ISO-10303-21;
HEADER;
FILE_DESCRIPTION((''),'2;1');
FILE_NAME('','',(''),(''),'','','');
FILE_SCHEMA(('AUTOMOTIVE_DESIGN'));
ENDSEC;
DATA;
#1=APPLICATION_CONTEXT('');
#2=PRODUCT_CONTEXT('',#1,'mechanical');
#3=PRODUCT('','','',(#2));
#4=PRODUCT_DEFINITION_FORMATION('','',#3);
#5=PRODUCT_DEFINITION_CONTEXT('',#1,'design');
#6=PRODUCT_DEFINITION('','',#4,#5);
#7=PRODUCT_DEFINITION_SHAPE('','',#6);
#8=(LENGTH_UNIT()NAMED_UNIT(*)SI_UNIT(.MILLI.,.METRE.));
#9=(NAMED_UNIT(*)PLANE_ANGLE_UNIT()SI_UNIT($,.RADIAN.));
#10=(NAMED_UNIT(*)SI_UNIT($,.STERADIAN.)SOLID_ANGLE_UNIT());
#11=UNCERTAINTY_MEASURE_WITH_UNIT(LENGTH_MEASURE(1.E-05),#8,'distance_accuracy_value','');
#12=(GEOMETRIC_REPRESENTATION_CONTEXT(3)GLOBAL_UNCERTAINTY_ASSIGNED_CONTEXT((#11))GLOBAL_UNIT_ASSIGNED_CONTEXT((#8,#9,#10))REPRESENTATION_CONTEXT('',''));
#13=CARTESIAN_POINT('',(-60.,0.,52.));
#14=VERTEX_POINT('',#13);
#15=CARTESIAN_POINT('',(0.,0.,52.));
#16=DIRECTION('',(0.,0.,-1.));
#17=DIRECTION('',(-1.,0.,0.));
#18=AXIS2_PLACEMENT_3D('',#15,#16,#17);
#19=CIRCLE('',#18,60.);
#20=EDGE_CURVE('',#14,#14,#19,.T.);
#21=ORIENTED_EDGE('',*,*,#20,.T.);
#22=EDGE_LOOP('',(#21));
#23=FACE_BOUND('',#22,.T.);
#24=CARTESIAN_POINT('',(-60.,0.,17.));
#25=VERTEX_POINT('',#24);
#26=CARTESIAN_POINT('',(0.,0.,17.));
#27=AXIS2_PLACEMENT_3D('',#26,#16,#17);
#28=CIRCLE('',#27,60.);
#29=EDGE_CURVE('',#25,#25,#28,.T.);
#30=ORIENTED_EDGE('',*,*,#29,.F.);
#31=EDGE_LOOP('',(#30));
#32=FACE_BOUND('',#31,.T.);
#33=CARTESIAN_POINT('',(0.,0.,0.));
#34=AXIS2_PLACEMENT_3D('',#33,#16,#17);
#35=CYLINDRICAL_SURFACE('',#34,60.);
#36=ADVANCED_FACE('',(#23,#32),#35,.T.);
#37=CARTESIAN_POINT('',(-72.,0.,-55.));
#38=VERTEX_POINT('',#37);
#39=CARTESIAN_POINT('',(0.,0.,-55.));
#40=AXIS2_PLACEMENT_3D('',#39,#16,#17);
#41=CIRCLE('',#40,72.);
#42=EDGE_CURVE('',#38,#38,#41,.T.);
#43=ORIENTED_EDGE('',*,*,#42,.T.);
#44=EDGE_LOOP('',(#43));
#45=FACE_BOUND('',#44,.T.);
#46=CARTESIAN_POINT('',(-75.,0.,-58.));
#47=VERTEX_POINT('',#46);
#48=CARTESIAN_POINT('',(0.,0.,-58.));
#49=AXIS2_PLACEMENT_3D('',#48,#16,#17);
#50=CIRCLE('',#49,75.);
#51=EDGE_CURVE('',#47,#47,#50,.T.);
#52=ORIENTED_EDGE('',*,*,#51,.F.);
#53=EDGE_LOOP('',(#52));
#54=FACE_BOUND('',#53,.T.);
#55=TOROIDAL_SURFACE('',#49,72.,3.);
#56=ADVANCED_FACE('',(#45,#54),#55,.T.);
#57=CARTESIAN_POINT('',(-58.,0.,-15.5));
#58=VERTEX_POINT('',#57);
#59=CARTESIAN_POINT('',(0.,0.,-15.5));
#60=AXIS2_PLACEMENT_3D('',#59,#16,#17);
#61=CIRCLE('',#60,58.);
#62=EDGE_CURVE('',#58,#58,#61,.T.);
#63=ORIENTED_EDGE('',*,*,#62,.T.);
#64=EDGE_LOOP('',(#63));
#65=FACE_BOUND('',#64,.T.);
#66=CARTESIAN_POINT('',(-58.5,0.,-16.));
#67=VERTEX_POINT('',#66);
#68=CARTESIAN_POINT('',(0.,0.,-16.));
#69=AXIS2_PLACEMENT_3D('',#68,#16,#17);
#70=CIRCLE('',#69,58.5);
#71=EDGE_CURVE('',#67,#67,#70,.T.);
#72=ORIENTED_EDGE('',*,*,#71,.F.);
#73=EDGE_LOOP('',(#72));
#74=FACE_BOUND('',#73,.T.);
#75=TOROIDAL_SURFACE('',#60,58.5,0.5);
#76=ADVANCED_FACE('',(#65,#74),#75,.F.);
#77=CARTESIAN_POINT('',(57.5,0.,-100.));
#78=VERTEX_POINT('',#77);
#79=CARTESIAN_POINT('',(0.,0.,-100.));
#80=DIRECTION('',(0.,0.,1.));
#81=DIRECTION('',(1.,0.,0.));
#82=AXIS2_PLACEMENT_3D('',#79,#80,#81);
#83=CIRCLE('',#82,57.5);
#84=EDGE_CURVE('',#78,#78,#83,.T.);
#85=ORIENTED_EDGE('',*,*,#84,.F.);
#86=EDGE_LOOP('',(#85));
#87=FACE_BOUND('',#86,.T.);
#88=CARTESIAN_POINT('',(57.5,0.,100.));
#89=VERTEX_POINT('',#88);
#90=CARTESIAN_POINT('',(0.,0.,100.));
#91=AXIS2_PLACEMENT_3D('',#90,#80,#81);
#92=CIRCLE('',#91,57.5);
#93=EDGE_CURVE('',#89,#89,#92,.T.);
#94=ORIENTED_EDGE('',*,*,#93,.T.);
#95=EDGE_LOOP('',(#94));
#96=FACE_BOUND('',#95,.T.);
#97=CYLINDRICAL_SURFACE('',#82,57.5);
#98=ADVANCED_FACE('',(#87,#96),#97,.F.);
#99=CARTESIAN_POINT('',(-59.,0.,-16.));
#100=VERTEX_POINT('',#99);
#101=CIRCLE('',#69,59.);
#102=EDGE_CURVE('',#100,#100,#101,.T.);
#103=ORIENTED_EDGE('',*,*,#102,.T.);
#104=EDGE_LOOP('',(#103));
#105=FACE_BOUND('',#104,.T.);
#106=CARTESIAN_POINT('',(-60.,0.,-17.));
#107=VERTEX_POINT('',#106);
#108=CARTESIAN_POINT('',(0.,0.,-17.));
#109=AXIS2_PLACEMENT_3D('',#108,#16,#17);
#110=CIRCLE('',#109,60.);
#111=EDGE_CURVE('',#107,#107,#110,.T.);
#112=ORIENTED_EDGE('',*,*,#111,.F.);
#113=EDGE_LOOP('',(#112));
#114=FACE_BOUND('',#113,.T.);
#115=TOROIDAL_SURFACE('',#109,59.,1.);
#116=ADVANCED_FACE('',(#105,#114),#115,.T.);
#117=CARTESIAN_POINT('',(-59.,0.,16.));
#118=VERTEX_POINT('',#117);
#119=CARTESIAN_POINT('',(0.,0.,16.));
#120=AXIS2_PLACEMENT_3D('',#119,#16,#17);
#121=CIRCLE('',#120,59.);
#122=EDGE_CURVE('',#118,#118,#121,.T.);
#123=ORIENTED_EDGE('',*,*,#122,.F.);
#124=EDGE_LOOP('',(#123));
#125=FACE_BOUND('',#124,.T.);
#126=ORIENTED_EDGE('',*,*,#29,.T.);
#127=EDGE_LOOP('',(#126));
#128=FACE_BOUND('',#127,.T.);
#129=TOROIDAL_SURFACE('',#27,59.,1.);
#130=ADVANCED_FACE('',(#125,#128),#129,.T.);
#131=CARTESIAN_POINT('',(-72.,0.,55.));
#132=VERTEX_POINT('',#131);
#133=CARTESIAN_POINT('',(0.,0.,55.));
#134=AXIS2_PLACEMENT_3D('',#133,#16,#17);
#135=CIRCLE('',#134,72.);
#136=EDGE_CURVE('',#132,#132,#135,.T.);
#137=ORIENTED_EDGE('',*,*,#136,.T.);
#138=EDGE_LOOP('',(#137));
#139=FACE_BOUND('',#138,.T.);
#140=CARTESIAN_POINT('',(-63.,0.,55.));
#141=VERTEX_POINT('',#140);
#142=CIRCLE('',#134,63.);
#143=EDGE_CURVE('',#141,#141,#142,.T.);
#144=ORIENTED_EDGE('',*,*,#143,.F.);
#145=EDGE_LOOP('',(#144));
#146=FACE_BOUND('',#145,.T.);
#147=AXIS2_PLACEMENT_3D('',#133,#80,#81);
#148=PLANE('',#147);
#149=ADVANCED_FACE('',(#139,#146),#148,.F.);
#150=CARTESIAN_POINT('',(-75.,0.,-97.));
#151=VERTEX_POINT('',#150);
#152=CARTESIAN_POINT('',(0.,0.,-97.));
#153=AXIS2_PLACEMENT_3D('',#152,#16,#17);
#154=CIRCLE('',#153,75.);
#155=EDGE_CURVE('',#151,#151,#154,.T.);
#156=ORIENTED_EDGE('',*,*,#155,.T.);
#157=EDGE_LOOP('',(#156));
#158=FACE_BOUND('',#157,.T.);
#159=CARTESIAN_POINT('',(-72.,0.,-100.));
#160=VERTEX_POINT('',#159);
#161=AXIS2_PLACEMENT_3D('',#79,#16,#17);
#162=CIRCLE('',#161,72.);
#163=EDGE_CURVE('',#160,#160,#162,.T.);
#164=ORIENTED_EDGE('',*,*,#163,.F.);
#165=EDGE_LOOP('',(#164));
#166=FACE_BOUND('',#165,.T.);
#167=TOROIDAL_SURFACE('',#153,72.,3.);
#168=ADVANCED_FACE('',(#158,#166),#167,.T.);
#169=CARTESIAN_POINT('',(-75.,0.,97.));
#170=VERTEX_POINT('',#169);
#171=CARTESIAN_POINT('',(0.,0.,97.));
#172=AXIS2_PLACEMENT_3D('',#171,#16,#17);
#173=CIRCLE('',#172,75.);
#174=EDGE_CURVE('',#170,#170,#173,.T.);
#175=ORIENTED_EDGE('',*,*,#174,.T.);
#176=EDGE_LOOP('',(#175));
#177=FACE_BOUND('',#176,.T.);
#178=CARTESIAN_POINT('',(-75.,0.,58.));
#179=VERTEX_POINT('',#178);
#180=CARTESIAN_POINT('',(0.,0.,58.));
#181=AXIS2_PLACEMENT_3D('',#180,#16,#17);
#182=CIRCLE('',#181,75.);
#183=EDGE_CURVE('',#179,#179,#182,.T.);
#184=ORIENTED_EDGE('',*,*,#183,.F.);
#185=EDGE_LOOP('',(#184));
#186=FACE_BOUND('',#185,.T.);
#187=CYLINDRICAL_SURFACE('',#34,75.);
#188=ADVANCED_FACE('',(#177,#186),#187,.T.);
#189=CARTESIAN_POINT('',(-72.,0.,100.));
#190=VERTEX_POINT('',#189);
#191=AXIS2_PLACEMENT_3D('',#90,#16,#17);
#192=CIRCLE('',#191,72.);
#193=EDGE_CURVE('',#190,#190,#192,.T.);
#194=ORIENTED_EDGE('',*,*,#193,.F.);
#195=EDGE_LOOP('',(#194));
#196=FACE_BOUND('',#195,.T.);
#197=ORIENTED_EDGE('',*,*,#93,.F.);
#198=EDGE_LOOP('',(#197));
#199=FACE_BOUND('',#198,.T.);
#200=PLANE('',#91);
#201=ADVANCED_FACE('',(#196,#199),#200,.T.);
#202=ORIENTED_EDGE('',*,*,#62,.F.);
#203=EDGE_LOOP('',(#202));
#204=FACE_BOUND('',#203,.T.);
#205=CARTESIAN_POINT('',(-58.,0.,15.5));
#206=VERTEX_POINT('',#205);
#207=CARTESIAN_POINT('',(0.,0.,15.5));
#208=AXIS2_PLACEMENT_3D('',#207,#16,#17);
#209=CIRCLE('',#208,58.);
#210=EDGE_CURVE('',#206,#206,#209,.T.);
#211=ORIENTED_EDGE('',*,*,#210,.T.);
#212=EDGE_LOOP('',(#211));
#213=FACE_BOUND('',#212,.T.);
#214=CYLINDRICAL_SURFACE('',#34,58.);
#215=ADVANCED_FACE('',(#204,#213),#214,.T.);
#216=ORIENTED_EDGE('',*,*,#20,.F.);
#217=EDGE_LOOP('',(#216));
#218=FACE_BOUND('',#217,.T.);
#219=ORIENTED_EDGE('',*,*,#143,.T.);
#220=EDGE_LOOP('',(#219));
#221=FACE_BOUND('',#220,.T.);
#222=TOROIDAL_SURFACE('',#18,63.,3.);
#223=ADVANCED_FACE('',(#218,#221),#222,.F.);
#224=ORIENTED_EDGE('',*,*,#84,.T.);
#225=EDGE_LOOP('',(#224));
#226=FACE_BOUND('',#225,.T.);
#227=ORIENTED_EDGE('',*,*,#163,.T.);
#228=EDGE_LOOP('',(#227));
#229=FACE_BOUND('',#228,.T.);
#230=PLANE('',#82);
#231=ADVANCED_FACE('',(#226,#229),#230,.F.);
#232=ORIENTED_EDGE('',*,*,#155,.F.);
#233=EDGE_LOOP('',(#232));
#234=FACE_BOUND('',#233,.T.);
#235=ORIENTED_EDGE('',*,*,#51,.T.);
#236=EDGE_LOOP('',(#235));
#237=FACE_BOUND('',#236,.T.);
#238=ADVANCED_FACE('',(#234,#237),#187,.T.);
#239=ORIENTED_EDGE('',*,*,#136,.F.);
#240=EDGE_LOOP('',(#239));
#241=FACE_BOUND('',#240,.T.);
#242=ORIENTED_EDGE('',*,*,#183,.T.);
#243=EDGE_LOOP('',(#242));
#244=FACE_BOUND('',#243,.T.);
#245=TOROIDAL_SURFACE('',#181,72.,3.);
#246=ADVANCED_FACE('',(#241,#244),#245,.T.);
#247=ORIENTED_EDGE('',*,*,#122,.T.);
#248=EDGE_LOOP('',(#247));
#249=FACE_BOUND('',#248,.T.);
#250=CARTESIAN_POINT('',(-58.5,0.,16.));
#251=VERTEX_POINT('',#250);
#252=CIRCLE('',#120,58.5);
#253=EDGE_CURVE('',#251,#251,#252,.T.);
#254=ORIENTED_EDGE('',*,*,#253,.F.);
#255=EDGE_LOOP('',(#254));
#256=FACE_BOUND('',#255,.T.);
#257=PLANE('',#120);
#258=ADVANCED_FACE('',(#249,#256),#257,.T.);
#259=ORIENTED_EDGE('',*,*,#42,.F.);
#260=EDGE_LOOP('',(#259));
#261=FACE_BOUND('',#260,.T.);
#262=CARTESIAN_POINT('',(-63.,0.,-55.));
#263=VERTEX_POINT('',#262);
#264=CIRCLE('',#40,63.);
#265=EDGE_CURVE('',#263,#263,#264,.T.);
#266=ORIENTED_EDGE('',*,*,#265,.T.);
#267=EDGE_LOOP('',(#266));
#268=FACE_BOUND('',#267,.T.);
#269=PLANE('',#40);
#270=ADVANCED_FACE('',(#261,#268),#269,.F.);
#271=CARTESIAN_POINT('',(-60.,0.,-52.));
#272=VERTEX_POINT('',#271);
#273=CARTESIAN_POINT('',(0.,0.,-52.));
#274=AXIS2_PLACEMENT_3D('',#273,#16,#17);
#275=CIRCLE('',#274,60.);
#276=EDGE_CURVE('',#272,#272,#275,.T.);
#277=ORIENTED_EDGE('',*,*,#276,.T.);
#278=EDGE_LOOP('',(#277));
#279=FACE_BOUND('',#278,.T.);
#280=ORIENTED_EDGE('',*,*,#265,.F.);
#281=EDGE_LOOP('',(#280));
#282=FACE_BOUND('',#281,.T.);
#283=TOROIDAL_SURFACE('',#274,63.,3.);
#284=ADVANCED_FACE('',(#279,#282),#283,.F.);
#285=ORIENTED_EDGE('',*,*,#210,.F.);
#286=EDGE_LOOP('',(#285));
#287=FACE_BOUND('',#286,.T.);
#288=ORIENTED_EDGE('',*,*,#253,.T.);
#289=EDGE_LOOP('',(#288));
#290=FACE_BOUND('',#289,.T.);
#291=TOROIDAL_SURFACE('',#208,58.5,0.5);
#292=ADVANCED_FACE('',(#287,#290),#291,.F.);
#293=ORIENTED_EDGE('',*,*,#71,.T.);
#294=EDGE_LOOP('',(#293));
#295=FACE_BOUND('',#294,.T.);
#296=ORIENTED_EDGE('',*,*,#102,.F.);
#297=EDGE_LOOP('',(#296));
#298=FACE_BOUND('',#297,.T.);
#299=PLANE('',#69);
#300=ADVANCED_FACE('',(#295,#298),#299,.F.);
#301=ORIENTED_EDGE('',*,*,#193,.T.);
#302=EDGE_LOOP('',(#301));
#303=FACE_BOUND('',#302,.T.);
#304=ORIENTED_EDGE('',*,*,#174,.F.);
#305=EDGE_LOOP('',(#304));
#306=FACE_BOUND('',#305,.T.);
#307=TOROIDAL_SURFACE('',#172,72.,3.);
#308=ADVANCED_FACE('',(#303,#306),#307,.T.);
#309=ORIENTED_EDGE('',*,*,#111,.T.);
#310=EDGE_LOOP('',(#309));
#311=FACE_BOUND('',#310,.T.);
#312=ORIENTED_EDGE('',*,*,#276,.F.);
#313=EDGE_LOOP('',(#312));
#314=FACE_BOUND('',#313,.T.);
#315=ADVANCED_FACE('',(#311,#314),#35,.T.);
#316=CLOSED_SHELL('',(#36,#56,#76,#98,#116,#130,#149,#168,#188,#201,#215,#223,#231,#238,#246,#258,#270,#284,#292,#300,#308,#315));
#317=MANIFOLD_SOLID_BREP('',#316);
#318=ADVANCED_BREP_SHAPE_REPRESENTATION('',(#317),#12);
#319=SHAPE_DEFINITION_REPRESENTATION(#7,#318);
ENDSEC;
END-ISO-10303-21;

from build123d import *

# Parameters (mm, degrees)
IZIM2_R               = 57.5
KES_EKSTR_ZYON1_DEPTH = 227.384628487


with BuildPart() as part:
    # Çizim1 → Döndür3 (revolve)
    with BuildSketch(Plane(origin=(0, 0, 0), x_dir=(0, 0, -1), z_dir=(1, 0, 0)), mode=Mode.PRIVATE) as d_nd_r3_sk:
        with BuildLine():
            ThreePointArc((16, 58.5), (15.853553391, 58.146446609), (15.5, 58))
            Line((15.5, 58), (-15.5, 58))
            ThreePointArc((-15.5, 58), (-15.853553391, 58.146446609), (-16, 58.5))
            Line((-16, 58.5), (-16, 59))
            ThreePointArc((-16, 59), (-16.292893219, 59.707106781), (-17, 60))
            Line((-17, 60), (-52, 60))
            ThreePointArc((-52, 60), (-54.121320344, 60.878679656), (-55, 63))
            Line((-55, 63), (-55, 72))
            ThreePointArc((-55, 72), (-55.878679656, 74.121320344), (-58, 75))
            Line((-58, 75), (-97, 75))
            ThreePointArc((-97, 75), (-99.121320344, 74.121320344), (-100, 72))
            Line((-100, 72), (-100, 0))
            Line((-100, 0), (100, 0))
            Line((100, 0), (100, 72))
            ThreePointArc((100, 72), (99.121320344, 74.121320344), (97, 75))
            Line((97, 75), (58, 75))
            ThreePointArc((58, 75), (55.878679656, 74.121320344), (55, 72))
            Line((55, 72), (55, 63))
            ThreePointArc((55, 63), (54.121320344, 60.878679656), (52, 60))
            Line((52, 60), (17, 60))
            ThreePointArc((17, 60), (16.292893219, 59.707106781), (16, 59))
            Line((16, 59), (16, 58.5))
        make_face()
    revolve(d_nd_r3_sk.sketch.rotate(Axis((0, 0, 0), (0, 0, 1)), 90), axis=Axis((0, 0, 0), (0, 0, 1)))

    # Çizim2 → Kes-Ekstrüzyon1 (cut, through all)
    with BuildSketch(Plane.XY.offset(100)):
        Circle(IZIM2_R)
    extrude(amount=-KES_EKSTR_ZYON1_DEPTH, mode=Mode.SUBTRACT)


solid = part.part
